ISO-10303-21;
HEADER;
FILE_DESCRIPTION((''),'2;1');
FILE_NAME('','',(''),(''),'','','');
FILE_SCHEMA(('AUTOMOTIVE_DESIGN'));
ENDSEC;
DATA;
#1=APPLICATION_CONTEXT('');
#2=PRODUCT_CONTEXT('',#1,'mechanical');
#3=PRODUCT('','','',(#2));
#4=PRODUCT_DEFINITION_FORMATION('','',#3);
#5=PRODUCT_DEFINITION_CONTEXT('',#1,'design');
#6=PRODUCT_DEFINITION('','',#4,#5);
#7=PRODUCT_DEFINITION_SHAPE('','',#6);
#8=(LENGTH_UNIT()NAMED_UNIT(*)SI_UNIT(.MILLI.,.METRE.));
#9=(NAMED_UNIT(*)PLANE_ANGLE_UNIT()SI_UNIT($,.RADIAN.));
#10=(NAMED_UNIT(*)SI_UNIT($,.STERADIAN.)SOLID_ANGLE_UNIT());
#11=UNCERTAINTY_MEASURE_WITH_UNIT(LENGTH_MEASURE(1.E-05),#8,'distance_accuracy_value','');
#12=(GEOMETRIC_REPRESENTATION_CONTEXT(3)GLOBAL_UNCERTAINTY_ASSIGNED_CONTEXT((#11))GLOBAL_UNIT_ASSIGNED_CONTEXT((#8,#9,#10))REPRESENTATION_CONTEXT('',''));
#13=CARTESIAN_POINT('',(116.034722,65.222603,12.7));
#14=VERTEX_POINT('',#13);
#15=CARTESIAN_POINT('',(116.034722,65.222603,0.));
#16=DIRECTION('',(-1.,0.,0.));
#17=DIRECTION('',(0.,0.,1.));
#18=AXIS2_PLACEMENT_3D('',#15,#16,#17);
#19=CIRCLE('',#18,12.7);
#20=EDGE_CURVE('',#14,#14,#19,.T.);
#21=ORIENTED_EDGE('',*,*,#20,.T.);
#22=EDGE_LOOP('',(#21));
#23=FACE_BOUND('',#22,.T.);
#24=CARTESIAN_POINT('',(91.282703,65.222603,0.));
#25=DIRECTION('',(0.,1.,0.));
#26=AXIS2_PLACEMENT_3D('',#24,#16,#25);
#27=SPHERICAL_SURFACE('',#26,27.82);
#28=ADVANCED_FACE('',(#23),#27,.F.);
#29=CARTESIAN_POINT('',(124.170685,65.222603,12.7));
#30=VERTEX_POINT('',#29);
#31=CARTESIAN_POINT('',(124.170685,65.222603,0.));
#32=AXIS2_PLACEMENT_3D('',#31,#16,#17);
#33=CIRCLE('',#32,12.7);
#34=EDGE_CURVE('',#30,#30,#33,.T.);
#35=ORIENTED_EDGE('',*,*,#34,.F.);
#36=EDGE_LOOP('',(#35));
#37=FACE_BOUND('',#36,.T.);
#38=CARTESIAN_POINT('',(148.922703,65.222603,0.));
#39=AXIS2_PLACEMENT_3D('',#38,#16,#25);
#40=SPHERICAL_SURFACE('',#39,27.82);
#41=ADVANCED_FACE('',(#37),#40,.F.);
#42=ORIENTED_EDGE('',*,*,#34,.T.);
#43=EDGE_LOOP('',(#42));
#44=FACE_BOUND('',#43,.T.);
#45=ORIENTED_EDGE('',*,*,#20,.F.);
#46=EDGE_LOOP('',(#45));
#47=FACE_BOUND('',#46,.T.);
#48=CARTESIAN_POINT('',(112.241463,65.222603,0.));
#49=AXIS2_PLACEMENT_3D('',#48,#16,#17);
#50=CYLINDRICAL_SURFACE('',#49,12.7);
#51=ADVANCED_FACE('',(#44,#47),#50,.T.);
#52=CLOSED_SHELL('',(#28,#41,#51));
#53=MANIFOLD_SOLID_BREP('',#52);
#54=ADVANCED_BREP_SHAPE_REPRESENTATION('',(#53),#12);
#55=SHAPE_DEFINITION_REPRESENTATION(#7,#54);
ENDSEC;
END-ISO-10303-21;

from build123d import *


with BuildPart() as part:
    # 草图1 → 旋转1 (revolve)
    with BuildSketch(Plane.XY):
        with BuildLine():
            Line((121.102703446, 65.222602873), (119.102703446, 65.222602873))
            ThreePointArc((119.102703446, 65.222602873), (118.324833018, 71.755261462), (116.034721546, 77.922602873))
            Line((116.034721546, 77.922602873), (120.102703446, 77.922602873))
            Line((120.102703446, 77.922602873), (124.170685347, 77.922602873))
            ThreePointArc((124.170685347, 77.922602873), (121.880573875, 71.755261462), (121.102703446, 65.222602873))
        make_face()
    revolve(axis=Axis((112.241463295, 65.222602873, 0), (1, 0, 0)))


solid = part.part
